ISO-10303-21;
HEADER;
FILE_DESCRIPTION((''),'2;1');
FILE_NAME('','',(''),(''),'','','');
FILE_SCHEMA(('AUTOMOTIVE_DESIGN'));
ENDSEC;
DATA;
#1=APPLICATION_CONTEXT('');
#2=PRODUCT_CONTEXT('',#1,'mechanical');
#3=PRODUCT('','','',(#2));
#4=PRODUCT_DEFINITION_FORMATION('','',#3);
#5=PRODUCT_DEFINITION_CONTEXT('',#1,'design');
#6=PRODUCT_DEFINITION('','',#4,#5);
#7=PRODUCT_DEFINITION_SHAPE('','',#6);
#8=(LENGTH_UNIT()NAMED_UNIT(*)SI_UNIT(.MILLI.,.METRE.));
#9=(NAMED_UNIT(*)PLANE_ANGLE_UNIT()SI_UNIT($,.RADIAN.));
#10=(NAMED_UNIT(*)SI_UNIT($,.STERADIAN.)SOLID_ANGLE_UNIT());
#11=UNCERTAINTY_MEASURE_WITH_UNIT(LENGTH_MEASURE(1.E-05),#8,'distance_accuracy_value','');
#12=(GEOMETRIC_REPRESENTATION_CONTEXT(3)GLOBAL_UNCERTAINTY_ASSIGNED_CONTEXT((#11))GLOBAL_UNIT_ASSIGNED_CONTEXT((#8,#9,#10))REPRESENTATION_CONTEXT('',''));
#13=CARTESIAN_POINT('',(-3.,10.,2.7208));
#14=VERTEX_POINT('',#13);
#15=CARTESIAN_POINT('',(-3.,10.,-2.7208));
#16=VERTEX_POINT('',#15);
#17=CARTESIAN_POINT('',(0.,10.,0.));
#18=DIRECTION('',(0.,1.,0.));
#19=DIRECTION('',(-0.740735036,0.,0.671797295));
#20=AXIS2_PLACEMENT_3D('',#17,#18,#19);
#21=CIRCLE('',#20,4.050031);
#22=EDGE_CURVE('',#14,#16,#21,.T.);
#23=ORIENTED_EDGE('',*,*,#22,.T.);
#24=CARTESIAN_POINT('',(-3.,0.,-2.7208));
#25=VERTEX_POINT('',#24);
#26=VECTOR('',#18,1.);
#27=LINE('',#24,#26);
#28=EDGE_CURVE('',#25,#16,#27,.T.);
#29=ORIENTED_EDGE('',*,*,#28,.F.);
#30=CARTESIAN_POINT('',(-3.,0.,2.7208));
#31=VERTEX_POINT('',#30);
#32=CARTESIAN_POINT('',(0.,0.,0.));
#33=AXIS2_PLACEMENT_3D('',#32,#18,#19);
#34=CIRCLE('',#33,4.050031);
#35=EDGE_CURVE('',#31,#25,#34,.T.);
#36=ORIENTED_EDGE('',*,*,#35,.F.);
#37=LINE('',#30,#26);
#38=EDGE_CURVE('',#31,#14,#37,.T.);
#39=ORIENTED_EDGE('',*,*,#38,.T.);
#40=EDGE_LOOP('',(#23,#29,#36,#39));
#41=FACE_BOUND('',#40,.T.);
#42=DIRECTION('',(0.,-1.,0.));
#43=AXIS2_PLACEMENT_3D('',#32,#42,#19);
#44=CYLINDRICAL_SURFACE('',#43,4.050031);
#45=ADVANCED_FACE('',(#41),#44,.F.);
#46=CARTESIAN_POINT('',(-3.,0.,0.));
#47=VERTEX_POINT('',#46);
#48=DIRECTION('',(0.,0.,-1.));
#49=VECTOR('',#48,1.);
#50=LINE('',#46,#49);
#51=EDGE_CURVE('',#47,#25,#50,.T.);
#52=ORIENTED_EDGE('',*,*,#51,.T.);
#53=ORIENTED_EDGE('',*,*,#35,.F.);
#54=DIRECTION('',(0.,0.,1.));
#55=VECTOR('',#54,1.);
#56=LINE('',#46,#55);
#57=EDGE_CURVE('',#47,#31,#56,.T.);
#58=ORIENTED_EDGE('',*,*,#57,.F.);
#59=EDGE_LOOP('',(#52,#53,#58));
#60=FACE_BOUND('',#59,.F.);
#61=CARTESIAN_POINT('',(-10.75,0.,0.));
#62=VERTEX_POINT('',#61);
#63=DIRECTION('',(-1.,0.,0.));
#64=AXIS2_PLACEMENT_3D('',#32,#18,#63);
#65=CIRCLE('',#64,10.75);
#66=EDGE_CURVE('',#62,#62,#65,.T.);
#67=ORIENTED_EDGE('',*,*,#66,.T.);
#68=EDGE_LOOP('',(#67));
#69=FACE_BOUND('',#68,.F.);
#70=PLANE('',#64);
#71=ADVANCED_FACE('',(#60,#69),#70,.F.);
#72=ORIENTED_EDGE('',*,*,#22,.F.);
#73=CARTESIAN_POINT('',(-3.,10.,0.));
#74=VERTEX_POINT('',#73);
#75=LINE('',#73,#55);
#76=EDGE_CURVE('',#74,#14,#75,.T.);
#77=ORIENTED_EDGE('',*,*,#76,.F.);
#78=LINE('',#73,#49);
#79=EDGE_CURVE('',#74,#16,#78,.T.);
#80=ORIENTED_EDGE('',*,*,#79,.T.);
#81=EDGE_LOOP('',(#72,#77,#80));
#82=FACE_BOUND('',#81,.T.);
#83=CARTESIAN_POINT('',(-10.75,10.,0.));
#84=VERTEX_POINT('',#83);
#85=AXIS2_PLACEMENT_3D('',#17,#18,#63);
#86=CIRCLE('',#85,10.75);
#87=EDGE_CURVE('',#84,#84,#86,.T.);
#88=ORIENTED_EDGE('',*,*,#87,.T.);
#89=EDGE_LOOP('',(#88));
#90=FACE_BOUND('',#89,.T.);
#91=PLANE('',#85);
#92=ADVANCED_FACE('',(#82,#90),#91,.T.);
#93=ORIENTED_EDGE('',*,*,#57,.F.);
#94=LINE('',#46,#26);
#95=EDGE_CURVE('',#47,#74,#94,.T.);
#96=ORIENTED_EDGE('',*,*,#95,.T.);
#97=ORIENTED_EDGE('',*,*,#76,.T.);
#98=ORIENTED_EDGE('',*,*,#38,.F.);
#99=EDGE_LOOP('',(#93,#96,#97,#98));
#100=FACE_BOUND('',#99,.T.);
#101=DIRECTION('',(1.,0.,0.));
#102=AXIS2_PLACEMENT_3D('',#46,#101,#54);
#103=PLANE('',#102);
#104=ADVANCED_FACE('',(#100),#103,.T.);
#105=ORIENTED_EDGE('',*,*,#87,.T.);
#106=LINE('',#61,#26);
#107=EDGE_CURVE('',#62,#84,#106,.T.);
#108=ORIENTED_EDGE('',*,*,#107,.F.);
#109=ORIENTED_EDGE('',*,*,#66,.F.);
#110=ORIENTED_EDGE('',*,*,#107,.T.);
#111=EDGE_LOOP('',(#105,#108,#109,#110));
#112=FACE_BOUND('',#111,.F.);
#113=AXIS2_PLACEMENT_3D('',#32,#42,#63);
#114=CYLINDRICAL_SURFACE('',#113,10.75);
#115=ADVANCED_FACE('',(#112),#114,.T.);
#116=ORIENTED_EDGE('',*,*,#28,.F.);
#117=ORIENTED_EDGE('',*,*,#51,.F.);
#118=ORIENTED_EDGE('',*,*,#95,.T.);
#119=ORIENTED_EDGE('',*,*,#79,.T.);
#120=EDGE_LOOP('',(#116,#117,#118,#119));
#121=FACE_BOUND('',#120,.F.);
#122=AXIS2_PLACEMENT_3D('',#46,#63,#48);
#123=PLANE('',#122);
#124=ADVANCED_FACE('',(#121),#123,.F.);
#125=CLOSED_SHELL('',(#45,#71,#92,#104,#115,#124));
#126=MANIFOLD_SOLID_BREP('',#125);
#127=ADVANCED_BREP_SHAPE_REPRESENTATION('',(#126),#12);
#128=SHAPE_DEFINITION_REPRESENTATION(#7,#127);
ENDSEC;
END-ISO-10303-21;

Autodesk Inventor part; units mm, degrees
ref_plane "YZ Plane" through (0, 0, 0) normal (1, 0, 0) x (0, 1, 0)
ref_plane "XZ Plane" through (0, 0, 0) normal (0, 1, 0) x (-1, 0, 0)
ref_plane "XY Plane" through (0, 0, 0) normal (0, 0, 1) x (1, 0, 0)
sketch "Sketch1" plane through (0, 0, 0) normal (0, 1, 0) x (-1, 0, 0)
  arc A0 (3, 2.7208) -> (3, -2.7208) centre (0, 0) ccw
  line L0 (0, 0) -> (3, 0)
  line L1 (3, 0) -> (3, -2.7208)
  line L2 (3, 0) -> (3, 2.7208)
  circle A1 centre (0, 0) radius 10.75
  dimension "d1" = 8.1
  dimension "d2" = 3
  dimension "d11" = 21.5
extrude "Extrusion1" add sketch "Sketch1" along normal blind 10
properties part number "Motor_Couple"
